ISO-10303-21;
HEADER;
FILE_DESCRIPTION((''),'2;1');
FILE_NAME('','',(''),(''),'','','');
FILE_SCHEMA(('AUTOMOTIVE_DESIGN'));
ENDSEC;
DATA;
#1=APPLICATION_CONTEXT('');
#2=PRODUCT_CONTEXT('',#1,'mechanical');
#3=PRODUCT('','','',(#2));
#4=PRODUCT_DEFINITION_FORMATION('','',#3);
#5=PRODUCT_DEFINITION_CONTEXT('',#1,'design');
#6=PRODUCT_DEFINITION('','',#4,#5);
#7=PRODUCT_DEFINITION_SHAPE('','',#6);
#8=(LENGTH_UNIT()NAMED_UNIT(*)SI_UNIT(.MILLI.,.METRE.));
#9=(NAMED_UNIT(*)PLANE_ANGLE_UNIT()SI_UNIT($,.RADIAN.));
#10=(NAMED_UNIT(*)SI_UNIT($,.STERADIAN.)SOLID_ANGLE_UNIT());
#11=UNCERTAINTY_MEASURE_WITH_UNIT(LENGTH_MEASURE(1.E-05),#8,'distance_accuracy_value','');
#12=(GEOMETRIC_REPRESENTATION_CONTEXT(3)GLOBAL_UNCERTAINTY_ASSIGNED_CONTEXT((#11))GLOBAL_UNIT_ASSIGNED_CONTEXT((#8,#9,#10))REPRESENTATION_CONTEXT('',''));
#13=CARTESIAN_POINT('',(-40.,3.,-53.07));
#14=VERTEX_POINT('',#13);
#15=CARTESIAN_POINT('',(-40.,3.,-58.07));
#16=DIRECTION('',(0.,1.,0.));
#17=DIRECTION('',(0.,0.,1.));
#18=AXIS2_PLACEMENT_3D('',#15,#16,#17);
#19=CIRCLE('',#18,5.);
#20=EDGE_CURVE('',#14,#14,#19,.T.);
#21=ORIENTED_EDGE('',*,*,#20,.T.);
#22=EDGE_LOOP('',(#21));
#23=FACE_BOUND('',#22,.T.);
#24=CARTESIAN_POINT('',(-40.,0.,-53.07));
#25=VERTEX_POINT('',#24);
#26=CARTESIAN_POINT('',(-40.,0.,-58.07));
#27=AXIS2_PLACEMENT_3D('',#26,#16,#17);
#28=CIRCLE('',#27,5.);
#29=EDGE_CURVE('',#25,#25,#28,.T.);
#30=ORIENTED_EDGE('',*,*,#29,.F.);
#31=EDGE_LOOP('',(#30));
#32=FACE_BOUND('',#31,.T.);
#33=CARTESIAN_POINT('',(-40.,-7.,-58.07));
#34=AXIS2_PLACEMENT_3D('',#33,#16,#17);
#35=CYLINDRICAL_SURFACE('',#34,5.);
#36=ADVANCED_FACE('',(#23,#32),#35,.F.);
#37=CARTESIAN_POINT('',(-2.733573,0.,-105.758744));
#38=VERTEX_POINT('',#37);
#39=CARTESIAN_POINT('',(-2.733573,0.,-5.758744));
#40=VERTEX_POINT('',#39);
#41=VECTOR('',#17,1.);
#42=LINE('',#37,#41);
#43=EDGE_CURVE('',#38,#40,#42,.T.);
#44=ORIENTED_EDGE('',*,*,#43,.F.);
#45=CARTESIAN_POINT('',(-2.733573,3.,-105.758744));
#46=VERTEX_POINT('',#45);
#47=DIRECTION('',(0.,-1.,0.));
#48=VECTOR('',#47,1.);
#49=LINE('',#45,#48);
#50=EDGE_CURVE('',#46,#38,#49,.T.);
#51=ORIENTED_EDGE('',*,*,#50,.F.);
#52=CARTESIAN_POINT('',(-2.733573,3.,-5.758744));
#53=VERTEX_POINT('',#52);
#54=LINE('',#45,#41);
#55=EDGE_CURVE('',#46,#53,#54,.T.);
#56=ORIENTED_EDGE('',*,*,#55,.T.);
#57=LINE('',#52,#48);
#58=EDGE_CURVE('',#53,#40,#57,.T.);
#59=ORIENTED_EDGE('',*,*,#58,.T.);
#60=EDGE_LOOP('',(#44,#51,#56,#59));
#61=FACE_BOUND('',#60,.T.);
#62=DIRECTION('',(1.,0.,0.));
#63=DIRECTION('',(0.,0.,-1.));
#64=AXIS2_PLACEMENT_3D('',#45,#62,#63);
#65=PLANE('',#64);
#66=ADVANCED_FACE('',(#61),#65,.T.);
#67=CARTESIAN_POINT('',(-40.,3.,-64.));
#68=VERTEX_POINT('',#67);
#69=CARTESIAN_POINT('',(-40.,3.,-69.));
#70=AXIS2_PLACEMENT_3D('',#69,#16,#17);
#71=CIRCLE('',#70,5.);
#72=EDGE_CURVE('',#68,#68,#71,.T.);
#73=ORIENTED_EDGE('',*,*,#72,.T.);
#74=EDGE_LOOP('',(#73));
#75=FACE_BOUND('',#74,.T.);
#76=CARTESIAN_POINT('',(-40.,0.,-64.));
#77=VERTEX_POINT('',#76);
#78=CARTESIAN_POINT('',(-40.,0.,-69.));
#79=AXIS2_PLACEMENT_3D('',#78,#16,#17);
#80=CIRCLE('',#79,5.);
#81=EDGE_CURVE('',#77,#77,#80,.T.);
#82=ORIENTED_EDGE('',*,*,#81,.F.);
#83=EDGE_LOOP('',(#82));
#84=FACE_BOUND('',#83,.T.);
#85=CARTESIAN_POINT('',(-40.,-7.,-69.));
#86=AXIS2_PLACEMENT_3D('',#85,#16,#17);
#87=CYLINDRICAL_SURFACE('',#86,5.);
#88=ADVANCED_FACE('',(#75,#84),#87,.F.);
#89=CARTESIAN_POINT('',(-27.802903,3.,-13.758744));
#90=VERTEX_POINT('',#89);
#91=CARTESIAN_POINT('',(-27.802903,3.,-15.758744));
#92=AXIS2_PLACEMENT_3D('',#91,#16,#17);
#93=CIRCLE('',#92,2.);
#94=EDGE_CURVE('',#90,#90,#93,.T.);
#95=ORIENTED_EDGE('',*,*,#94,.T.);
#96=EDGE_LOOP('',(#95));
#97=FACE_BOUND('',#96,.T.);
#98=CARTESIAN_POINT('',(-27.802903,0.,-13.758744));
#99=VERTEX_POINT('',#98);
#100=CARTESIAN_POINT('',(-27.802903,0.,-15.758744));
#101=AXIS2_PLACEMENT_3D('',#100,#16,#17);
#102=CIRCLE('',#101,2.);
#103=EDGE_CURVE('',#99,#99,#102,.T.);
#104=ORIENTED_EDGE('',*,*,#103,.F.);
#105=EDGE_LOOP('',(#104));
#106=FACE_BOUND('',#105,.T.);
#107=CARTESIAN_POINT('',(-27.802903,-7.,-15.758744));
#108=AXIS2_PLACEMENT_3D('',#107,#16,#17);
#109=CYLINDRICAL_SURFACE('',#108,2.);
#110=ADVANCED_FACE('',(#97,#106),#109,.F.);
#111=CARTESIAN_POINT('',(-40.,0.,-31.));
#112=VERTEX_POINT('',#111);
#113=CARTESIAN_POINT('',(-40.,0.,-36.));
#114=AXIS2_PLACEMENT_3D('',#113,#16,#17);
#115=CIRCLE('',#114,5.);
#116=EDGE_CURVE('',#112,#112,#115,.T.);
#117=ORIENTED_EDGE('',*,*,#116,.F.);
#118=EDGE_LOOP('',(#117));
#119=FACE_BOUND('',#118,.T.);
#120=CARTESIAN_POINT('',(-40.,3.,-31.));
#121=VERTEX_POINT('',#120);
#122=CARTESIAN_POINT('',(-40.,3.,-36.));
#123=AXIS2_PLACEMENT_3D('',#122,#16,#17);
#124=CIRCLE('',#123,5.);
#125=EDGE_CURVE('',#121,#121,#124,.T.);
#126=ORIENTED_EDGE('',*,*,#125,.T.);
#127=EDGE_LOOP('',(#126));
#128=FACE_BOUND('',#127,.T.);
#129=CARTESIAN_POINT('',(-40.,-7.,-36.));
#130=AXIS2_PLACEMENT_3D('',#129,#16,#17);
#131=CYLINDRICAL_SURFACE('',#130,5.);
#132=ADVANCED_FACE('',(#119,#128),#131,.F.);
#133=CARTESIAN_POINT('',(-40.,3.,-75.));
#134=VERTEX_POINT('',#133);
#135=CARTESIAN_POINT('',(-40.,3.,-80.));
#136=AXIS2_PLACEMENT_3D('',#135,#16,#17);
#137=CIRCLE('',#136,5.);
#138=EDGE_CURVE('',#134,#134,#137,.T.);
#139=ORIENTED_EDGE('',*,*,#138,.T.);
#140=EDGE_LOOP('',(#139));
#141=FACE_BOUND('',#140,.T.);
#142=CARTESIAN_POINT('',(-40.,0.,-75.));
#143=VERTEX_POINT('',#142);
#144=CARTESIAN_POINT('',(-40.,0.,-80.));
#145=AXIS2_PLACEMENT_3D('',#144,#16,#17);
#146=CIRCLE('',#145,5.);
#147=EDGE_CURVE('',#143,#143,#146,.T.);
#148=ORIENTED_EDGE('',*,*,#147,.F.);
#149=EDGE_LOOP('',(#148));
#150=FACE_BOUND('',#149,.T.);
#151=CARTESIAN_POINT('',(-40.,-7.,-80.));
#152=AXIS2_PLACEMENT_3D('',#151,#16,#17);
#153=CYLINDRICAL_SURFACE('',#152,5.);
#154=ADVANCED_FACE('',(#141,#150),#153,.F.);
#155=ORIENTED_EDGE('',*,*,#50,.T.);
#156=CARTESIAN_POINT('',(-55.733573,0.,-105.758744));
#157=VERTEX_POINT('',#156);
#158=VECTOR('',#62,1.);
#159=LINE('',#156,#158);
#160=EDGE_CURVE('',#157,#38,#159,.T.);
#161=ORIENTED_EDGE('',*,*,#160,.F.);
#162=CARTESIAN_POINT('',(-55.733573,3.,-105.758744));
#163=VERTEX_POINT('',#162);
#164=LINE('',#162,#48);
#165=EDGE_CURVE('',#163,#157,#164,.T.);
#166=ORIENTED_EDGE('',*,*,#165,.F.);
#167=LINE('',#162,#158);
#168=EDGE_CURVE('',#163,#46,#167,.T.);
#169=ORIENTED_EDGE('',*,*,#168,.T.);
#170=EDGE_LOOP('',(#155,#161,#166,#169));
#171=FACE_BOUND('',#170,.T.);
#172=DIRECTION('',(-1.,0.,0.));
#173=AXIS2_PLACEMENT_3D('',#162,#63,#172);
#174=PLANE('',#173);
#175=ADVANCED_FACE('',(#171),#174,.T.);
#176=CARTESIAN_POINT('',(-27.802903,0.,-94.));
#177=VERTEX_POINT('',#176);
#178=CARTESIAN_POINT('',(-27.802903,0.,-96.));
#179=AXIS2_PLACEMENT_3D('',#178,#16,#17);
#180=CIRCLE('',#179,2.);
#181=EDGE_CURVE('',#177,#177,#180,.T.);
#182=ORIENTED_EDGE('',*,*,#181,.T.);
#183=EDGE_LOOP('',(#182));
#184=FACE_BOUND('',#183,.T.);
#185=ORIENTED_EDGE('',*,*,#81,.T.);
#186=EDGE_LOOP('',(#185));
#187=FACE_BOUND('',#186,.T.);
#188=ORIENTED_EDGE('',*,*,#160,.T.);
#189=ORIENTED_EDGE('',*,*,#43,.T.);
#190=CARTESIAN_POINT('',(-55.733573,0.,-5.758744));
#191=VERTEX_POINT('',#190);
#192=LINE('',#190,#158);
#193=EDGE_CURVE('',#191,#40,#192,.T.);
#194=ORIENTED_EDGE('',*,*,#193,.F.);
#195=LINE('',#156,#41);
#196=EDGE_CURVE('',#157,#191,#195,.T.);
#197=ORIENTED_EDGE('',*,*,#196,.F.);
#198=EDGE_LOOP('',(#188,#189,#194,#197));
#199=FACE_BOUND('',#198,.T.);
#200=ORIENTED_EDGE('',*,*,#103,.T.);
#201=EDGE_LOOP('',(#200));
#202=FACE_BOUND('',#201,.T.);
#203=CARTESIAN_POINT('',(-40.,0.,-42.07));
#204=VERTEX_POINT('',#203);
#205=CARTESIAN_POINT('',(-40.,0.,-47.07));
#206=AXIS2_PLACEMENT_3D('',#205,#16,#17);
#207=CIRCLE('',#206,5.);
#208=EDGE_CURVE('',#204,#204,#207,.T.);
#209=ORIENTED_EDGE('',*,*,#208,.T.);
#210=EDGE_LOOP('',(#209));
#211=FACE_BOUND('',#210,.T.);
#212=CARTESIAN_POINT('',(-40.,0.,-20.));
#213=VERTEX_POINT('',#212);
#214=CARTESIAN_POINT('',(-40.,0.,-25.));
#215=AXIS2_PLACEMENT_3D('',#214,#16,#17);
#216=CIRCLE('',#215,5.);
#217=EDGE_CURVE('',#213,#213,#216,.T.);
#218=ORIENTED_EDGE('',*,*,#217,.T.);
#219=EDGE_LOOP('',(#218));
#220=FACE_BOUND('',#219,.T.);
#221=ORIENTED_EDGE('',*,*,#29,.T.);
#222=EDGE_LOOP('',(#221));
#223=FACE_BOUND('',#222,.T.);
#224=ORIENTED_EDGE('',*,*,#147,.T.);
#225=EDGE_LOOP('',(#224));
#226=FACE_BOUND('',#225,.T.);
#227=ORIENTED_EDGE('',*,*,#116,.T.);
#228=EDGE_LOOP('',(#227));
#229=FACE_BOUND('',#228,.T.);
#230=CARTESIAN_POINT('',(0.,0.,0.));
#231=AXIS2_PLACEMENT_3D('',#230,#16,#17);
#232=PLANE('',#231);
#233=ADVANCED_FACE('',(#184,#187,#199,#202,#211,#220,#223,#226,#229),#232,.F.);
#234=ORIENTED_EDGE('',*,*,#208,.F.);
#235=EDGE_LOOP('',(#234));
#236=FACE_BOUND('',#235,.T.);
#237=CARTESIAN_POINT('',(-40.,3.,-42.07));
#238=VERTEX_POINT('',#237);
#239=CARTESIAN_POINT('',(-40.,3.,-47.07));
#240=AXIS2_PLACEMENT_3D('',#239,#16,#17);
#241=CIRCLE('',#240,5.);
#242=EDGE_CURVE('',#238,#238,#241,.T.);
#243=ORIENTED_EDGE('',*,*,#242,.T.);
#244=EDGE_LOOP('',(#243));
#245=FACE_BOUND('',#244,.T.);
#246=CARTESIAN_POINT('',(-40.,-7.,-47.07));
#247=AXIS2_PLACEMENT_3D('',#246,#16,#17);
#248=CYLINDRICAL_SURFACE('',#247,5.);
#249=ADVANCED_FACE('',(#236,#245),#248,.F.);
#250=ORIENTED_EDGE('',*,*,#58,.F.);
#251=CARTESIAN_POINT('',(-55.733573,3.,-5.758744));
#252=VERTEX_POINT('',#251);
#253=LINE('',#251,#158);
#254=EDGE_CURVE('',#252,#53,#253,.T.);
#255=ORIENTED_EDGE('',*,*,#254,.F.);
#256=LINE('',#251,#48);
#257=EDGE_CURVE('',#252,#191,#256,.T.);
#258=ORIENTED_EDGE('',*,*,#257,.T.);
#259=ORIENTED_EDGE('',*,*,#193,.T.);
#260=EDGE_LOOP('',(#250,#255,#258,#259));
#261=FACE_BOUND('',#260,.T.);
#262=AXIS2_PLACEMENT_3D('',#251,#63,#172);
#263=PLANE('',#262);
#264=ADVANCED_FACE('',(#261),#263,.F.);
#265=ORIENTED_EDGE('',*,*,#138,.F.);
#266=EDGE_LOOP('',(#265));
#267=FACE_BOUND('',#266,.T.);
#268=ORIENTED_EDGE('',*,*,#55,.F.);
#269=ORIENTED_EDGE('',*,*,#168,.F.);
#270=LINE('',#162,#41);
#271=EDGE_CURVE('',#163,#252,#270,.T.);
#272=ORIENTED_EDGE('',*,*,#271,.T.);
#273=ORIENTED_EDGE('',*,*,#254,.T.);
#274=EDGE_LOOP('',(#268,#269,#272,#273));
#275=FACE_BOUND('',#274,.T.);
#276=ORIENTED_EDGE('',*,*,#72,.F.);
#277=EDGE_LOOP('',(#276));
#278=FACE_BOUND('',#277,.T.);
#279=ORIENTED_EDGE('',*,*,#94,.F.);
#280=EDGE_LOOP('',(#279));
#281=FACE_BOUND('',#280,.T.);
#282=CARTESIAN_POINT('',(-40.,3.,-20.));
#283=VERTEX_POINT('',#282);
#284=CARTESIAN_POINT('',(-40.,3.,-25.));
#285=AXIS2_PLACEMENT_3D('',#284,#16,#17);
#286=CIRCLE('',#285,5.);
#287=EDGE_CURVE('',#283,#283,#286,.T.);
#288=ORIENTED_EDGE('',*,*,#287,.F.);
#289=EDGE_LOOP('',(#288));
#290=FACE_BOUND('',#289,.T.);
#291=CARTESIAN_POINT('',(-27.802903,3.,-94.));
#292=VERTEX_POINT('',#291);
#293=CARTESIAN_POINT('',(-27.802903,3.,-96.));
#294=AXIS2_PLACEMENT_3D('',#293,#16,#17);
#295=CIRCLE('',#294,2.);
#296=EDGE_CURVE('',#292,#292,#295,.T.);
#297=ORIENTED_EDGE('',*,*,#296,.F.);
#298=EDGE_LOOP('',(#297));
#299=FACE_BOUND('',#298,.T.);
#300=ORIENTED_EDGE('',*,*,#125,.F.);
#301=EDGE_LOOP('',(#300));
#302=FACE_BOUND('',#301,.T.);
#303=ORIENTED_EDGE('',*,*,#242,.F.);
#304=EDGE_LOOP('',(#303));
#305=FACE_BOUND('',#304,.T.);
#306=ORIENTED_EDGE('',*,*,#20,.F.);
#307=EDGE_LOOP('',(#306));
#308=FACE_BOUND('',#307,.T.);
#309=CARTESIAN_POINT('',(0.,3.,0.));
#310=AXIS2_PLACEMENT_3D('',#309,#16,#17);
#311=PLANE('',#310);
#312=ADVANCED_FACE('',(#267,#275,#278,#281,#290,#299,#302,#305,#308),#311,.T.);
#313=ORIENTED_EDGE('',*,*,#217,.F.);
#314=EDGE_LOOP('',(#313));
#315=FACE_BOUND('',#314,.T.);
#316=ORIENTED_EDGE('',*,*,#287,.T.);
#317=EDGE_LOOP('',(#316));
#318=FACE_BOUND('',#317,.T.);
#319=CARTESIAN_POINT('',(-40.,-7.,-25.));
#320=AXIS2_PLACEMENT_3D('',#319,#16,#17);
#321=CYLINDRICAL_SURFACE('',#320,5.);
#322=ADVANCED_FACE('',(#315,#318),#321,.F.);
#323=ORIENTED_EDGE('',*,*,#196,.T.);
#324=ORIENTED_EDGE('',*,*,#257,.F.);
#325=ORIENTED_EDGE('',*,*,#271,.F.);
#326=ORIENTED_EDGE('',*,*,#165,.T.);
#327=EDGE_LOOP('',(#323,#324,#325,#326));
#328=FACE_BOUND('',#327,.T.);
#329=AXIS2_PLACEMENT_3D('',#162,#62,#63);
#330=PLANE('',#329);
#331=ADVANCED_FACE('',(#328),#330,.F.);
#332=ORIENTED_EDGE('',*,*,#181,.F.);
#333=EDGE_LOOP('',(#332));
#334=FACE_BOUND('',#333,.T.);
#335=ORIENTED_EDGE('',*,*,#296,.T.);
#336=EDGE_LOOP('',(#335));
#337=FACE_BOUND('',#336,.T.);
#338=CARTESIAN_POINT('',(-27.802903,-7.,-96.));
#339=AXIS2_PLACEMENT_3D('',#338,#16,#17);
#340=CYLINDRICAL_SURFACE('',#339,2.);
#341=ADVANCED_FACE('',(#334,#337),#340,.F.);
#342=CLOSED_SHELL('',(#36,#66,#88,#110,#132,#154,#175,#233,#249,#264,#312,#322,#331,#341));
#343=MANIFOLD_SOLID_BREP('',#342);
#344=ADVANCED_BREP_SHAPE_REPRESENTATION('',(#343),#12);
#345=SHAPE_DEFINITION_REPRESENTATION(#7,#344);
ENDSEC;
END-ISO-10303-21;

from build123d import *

# Parameters (mm, degrees)
ESBO_O2_W                = 53
ESBO_O2_H                = 100
RESSALTO_EXTRUS_O1_DEPTH = 3
ESBO_O14_R               = 2
CORTE_EXTRUS_O10_DEPTH   = 10
ESBO_O8_R                = 5
CORTE_EXTRUS_O11_DEPTH   = 10
ESBO_O4_R                = 2
CORTE_EXTRUS_O12_DEPTH   = 10


with BuildPart() as part:
    # Esboço2 → Ressalto-extrusão1 (new body)
    with BuildSketch(Plane(origin=(-2.802903092, 0, -5.758743908), x_dir=(1, 0, 0), z_dir=(0, 1, 0))):
        with Locations((-26.430669922, 50)):
            Rectangle(ESBO_O2_W, ESBO_O2_H)
    extrude(amount=RESSALTO_EXTRUS_O1_DEPTH)

    # Esboço14 → Corte-extrusão10 (cut)
    with BuildSketch(Plane(origin=(0, 3, 0), x_dir=(1, 0, 0), z_dir=(0, 1, 0))):
        with Locations(Location((-27.802903092, 15.758743908, 0), (0, 0, 270))):
            Circle(ESBO_O14_R)
    extrude(amount=-CORTE_EXTRUS_O10_DEPTH, mode=Mode.SUBTRACT)

    # Esboço8 → Corte-extrusão11 (cut)
    with BuildSketch(Plane(origin=(0, 3, 0), x_dir=(1, 0, 0), z_dir=(0, 1, 0))):
        with Locations(Location((-40, 25, 0), (0, 0, 270))):
            Circle(ESBO_O8_R)
        with Locations(Location((-40, 36, 0), (0, 0, 270))):
            Circle(ESBO_O8_R)
        with Locations(Location((-40, 47.07, 0), (0, 0, 270))):
            Circle(ESBO_O8_R)
        with Locations(Location((-40, 58.07, 0), (0, 0, 270))):
            Circle(ESBO_O8_R)
        with Locations(Location((-40, 69, 0), (0, 0, 270))):
            Circle(ESBO_O8_R)
        with Locations(Location((-40, 80, 0), (0, 0, 270))):
            Circle(ESBO_O8_R)
    extrude(amount=-CORTE_EXTRUS_O11_DEPTH, mode=Mode.SUBTRACT)

    # Esboço4 → Corte-extrusão12 (cut)
    with BuildSketch(Plane(origin=(0, 3, 0), x_dir=(1, 0, 0), z_dir=(0, 1, 0))):
        with Locations(Location((-27.802903092, 96, 0), (0, 0, 270))):
            Circle(ESBO_O4_R)
    extrude(amount=-CORTE_EXTRUS_O12_DEPTH, mode=Mode.SUBTRACT)


solid = part.part
